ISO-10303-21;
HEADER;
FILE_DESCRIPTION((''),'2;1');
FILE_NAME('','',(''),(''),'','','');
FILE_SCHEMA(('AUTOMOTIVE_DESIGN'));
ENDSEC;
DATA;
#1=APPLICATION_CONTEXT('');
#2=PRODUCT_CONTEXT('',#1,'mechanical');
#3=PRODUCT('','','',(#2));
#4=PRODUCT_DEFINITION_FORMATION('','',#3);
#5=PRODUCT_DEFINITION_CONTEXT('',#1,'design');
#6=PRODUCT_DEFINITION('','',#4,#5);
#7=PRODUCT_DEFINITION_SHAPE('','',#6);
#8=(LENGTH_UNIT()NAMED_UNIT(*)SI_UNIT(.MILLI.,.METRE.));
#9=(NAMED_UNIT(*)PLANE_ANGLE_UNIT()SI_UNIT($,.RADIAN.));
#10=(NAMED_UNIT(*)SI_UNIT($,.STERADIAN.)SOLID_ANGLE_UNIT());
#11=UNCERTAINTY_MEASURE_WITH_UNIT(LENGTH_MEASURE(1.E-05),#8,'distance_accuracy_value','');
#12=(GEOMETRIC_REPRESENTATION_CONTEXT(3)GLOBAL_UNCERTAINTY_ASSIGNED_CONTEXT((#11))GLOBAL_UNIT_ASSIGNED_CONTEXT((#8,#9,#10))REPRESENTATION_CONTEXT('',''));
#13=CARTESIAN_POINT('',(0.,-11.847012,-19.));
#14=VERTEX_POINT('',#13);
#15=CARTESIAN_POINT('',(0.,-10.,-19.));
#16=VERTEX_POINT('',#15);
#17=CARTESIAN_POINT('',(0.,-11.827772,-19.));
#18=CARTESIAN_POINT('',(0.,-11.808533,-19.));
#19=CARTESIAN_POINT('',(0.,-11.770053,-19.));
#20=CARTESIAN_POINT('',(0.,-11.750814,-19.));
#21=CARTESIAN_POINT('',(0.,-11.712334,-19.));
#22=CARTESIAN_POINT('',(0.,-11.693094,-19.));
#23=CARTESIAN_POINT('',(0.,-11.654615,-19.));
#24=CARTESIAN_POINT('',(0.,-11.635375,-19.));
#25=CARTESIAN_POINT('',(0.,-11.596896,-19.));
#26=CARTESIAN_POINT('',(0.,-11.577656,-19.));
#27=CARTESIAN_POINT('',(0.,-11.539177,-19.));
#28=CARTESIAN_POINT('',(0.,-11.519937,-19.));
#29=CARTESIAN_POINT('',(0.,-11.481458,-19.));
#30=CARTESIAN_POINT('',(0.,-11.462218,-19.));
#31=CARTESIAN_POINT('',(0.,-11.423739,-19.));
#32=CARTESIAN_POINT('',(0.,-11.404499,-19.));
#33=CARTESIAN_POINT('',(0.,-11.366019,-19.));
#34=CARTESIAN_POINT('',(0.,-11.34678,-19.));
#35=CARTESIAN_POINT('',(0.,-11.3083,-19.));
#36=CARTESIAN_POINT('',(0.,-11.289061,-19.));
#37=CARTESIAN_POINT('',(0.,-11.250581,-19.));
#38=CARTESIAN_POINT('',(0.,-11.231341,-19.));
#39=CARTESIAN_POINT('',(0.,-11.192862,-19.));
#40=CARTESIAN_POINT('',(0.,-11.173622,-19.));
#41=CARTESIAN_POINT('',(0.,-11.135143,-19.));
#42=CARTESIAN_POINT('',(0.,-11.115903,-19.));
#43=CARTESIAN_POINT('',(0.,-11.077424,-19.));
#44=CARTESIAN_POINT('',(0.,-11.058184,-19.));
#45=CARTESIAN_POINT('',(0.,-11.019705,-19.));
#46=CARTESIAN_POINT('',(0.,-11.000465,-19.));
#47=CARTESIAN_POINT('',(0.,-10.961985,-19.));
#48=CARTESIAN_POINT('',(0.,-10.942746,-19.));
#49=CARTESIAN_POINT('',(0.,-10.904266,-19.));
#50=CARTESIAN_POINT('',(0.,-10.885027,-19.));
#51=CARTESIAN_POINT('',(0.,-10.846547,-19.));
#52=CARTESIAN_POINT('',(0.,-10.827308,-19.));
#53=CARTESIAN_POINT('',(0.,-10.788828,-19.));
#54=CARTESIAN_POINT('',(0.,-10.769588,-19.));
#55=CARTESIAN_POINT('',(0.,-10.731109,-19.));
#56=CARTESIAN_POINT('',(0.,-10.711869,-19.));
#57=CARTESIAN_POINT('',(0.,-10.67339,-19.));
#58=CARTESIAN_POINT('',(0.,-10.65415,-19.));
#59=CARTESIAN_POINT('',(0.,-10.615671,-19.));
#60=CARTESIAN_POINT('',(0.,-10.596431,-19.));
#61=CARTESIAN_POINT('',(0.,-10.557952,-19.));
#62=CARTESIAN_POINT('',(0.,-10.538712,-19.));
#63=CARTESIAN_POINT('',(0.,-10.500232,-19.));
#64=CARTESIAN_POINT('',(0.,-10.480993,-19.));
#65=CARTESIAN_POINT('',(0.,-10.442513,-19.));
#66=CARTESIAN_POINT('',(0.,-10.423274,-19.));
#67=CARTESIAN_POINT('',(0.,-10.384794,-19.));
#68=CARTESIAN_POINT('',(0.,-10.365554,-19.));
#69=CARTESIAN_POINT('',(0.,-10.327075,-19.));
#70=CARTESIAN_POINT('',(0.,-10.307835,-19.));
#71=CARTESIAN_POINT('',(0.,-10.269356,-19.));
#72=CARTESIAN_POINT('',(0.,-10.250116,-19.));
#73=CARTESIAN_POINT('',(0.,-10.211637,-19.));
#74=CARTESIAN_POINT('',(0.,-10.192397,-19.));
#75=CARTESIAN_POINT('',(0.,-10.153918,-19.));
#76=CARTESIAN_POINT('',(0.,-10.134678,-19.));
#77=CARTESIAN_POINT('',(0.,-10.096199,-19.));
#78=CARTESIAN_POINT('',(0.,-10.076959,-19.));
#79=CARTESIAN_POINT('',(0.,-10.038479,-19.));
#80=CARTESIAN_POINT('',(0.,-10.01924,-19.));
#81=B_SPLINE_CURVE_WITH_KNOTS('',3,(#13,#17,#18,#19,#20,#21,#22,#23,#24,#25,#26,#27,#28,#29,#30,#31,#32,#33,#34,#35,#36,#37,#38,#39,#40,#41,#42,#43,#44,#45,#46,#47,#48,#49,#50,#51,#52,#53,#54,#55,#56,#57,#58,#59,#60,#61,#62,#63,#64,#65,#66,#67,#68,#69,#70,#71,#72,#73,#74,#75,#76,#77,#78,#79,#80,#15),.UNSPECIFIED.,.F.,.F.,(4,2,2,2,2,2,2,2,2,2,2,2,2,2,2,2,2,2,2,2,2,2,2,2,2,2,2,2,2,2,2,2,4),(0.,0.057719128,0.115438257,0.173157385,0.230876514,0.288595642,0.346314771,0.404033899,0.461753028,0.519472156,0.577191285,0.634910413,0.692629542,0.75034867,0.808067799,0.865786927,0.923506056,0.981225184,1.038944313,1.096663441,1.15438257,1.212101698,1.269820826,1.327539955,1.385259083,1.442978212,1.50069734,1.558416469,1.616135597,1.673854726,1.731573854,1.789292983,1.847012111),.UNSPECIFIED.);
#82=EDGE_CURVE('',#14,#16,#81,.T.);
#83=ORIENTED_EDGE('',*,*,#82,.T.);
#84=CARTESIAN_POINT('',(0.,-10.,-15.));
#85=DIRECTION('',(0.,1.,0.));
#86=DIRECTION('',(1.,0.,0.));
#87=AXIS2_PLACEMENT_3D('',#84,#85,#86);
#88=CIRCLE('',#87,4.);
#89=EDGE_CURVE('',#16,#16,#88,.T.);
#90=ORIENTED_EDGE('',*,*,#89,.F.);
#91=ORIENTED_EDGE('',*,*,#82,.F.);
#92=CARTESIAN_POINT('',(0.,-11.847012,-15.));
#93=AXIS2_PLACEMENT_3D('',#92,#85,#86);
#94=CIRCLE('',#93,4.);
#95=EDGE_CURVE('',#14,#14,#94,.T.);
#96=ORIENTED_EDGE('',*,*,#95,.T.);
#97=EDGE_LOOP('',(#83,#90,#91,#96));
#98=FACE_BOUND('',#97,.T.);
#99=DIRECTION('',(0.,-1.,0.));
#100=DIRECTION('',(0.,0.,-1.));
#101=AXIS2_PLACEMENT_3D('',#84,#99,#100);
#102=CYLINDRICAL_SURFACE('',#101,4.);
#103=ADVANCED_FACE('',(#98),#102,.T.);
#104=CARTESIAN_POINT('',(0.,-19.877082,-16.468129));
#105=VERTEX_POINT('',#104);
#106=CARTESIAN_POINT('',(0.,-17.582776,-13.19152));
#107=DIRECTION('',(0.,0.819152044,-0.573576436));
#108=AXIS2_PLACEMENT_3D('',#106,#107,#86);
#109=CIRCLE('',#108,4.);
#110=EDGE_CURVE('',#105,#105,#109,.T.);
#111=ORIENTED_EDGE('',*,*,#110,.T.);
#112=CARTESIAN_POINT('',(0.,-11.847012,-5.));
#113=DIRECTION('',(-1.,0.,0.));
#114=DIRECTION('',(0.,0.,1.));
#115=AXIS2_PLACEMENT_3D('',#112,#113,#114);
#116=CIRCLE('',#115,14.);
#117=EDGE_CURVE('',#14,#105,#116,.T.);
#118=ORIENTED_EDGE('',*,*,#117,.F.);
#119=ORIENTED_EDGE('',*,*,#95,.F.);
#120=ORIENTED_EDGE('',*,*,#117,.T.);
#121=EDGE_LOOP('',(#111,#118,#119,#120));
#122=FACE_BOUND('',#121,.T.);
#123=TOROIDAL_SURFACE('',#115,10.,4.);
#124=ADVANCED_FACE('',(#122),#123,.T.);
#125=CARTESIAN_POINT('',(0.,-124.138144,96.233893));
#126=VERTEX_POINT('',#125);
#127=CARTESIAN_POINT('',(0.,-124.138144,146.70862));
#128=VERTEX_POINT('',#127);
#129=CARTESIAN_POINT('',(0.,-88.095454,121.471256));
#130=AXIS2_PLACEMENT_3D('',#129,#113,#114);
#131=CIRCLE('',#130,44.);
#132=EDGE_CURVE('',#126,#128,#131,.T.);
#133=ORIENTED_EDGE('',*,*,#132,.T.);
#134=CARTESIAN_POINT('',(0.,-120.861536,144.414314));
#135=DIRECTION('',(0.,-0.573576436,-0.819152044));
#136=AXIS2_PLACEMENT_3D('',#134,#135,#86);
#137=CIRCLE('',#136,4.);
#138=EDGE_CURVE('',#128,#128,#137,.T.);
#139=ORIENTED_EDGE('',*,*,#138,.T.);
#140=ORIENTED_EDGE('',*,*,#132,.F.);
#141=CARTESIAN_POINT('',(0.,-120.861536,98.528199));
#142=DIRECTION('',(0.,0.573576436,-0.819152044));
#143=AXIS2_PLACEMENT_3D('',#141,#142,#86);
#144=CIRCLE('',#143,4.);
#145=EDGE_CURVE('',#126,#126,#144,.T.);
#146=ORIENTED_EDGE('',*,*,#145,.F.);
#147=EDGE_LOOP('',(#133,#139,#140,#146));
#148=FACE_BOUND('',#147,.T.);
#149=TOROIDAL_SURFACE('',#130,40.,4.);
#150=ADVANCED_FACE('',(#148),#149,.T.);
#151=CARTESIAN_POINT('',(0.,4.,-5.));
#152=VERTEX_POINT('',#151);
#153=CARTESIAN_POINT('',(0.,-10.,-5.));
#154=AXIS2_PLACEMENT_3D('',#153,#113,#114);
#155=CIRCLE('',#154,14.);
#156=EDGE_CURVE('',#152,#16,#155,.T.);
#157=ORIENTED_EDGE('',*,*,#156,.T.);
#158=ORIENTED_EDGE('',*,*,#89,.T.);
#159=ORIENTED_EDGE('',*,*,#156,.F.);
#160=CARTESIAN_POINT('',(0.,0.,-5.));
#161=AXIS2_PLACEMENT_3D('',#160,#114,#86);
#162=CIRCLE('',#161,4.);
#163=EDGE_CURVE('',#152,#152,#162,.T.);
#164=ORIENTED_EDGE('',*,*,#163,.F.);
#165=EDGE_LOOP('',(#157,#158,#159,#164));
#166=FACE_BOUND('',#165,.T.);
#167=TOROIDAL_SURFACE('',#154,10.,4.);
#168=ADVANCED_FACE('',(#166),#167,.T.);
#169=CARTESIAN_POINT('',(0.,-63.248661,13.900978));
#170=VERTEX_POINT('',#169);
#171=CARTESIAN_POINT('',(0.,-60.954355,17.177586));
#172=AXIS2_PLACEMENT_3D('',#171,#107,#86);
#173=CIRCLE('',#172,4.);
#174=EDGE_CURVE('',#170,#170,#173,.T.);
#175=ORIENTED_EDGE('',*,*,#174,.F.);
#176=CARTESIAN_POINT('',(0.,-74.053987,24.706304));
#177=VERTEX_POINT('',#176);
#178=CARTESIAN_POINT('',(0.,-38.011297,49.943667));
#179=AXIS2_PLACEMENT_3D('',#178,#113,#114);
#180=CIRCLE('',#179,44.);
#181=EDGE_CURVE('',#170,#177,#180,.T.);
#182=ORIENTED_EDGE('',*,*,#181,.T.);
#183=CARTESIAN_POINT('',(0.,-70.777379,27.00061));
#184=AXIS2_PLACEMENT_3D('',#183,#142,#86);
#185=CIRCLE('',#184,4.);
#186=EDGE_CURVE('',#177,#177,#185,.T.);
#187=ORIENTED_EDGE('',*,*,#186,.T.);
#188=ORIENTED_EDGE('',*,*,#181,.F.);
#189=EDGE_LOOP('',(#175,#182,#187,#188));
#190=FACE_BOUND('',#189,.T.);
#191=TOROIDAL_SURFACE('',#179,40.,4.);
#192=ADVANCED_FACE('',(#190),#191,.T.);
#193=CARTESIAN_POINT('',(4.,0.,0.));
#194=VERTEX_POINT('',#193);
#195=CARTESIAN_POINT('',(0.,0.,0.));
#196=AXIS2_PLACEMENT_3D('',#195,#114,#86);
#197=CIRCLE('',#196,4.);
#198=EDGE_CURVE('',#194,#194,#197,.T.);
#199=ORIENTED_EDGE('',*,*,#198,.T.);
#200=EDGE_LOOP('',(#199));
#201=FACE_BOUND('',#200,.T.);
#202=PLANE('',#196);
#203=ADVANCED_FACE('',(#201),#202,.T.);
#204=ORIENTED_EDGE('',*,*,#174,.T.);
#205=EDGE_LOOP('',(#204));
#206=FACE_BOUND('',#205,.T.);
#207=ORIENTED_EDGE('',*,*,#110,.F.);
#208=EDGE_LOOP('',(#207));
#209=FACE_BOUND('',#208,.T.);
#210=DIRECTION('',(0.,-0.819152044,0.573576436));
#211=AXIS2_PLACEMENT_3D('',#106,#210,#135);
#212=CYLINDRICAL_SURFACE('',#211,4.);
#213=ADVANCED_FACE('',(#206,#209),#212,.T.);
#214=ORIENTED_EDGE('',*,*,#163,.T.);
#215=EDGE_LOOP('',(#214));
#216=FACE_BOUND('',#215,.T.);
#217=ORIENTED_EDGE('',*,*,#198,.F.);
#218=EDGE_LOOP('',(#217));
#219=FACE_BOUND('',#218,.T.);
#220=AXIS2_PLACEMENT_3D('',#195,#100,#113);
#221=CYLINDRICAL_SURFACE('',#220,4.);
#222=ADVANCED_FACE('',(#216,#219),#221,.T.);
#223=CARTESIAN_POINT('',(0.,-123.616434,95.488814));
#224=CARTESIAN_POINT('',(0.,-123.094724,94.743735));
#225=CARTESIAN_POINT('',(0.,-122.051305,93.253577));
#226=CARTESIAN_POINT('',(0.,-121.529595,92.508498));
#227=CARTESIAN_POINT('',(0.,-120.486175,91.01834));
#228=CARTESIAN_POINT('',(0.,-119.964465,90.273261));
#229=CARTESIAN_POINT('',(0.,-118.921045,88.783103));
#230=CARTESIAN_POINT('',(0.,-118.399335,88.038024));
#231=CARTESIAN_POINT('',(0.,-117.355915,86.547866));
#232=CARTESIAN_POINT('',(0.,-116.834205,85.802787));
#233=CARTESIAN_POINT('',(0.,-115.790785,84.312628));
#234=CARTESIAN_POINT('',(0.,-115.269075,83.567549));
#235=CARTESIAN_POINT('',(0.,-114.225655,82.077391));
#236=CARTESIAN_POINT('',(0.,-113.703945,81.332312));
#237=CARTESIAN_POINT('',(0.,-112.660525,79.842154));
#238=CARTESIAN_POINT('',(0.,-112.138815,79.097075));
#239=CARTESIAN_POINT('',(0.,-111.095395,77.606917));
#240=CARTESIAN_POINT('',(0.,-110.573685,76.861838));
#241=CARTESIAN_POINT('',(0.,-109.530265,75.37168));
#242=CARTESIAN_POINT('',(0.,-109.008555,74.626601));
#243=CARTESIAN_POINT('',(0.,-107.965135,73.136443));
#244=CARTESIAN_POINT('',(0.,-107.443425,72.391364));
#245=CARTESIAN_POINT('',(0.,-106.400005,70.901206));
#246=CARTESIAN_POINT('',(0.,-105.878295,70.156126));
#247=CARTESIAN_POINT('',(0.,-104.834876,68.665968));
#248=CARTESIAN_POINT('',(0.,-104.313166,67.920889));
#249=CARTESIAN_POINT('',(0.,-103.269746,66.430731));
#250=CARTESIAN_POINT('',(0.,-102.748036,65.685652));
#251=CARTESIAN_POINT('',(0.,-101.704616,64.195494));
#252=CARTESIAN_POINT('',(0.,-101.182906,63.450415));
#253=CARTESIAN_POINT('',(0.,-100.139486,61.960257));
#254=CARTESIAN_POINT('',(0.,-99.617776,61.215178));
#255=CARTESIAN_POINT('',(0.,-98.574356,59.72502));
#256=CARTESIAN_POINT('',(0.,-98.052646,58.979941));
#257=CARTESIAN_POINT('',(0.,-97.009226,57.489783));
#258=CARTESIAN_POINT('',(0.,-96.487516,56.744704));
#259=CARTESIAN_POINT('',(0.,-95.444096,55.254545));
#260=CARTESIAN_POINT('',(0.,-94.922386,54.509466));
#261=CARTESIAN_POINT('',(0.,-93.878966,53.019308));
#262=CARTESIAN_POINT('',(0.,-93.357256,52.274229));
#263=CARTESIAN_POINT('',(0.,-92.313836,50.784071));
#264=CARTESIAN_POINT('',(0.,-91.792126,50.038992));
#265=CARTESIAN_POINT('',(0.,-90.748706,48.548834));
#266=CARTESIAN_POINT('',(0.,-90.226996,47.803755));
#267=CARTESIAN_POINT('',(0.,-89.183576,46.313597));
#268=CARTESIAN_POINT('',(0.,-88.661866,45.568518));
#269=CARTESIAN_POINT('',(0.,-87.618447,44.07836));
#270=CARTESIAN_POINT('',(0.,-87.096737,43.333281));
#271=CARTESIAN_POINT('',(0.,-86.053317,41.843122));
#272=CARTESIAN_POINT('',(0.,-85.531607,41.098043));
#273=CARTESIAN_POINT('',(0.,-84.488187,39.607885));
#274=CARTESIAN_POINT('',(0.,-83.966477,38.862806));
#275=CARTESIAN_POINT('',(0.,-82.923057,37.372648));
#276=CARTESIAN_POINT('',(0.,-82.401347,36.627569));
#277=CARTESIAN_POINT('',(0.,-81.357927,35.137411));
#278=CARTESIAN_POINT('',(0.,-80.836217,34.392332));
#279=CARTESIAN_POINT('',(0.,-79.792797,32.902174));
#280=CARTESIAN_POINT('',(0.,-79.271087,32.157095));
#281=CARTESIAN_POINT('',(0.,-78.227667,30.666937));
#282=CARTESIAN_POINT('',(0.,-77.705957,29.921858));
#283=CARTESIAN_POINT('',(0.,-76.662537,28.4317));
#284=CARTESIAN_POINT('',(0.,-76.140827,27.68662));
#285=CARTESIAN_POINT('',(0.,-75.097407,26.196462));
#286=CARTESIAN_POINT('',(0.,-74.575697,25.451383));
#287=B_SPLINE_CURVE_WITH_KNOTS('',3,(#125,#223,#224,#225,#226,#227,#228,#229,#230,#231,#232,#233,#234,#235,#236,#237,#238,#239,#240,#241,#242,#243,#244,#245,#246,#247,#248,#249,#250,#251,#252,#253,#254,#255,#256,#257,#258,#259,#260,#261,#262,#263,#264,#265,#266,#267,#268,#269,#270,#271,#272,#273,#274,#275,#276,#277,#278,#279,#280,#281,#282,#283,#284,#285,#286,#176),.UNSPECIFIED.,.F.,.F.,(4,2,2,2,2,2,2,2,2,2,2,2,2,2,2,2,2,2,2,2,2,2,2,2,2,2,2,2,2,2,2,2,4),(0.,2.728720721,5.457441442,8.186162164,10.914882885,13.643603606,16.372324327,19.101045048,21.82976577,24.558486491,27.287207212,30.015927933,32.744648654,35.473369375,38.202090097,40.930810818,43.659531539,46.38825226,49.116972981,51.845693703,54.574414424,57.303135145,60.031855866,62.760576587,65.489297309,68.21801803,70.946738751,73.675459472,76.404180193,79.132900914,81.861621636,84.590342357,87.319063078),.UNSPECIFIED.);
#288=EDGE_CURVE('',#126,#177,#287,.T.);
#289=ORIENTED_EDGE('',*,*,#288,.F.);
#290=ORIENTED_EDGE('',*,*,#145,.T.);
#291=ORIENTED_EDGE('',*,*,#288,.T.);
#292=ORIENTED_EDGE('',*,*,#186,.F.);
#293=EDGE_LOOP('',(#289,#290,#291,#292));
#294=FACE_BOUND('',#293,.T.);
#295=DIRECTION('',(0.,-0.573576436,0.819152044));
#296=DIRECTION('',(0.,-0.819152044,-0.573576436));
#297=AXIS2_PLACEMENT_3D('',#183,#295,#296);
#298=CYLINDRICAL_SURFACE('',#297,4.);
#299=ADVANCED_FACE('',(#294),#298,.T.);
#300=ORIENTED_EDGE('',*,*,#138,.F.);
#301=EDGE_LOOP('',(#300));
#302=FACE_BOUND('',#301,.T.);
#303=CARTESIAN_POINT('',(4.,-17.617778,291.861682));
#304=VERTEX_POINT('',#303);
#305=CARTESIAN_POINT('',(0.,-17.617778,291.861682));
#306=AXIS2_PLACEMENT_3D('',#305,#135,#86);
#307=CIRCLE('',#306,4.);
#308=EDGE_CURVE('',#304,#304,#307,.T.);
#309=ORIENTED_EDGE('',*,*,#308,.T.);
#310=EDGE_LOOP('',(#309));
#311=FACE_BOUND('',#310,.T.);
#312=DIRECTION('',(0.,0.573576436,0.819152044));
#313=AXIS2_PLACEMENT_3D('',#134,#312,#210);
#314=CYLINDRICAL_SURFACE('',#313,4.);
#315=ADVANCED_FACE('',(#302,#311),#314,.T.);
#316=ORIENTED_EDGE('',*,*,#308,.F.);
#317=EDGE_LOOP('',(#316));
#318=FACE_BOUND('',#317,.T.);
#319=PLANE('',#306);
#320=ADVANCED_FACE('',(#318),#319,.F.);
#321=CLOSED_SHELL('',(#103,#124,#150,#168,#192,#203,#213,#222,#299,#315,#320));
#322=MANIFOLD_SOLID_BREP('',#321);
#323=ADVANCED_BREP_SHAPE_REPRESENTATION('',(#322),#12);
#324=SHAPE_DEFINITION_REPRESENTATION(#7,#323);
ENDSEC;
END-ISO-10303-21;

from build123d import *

# Parameters (mm, degrees)
SKETCH_1_R = 4


with BuildPart() as part:
    # 扫描1: sweep along a path in 草图2
    with BuildLine(Plane(origin=(0, 0, 0), x_dir=(0, 0, -1), z_dir=(1, 0, 0))) as sweep_1_path:
        Line((0, 0), (5, 0))
        ThreePointArc((5, 0), (12.071067812, -2.928932188), (15, -10))
        Line((15, -10), (15, -11.847012111))
        ThreePointArc((15, -11.847012111), (14.537169507, -14.854070106), (13.191520443, -17.582776475))
        Line((13.191520443, -17.582776475), (-17.177585689, -60.954354864))
        ThreePointArc((-17.177585689, -60.954354864), (-21.659396213, -66.295568657), (-27.000610007, -70.777379181))
        Line((-27.000610007, -70.777379181), (-98.528199032, -120.861536207))
        ThreePointArc((-98.528199032, -120.861536207), (-121.471256486, -128.095454435), (-144.41431394, -120.861536207))
        Line((-144.41431394, -120.861536207), (-291.861681912, -17.617777664))
    # 草图1 → 扫描1 (sweep)
    with BuildSketch(Plane.XY):
        Circle(SKETCH_1_R)
    sweep(path=sweep_1_path.line)


solid = part.part
